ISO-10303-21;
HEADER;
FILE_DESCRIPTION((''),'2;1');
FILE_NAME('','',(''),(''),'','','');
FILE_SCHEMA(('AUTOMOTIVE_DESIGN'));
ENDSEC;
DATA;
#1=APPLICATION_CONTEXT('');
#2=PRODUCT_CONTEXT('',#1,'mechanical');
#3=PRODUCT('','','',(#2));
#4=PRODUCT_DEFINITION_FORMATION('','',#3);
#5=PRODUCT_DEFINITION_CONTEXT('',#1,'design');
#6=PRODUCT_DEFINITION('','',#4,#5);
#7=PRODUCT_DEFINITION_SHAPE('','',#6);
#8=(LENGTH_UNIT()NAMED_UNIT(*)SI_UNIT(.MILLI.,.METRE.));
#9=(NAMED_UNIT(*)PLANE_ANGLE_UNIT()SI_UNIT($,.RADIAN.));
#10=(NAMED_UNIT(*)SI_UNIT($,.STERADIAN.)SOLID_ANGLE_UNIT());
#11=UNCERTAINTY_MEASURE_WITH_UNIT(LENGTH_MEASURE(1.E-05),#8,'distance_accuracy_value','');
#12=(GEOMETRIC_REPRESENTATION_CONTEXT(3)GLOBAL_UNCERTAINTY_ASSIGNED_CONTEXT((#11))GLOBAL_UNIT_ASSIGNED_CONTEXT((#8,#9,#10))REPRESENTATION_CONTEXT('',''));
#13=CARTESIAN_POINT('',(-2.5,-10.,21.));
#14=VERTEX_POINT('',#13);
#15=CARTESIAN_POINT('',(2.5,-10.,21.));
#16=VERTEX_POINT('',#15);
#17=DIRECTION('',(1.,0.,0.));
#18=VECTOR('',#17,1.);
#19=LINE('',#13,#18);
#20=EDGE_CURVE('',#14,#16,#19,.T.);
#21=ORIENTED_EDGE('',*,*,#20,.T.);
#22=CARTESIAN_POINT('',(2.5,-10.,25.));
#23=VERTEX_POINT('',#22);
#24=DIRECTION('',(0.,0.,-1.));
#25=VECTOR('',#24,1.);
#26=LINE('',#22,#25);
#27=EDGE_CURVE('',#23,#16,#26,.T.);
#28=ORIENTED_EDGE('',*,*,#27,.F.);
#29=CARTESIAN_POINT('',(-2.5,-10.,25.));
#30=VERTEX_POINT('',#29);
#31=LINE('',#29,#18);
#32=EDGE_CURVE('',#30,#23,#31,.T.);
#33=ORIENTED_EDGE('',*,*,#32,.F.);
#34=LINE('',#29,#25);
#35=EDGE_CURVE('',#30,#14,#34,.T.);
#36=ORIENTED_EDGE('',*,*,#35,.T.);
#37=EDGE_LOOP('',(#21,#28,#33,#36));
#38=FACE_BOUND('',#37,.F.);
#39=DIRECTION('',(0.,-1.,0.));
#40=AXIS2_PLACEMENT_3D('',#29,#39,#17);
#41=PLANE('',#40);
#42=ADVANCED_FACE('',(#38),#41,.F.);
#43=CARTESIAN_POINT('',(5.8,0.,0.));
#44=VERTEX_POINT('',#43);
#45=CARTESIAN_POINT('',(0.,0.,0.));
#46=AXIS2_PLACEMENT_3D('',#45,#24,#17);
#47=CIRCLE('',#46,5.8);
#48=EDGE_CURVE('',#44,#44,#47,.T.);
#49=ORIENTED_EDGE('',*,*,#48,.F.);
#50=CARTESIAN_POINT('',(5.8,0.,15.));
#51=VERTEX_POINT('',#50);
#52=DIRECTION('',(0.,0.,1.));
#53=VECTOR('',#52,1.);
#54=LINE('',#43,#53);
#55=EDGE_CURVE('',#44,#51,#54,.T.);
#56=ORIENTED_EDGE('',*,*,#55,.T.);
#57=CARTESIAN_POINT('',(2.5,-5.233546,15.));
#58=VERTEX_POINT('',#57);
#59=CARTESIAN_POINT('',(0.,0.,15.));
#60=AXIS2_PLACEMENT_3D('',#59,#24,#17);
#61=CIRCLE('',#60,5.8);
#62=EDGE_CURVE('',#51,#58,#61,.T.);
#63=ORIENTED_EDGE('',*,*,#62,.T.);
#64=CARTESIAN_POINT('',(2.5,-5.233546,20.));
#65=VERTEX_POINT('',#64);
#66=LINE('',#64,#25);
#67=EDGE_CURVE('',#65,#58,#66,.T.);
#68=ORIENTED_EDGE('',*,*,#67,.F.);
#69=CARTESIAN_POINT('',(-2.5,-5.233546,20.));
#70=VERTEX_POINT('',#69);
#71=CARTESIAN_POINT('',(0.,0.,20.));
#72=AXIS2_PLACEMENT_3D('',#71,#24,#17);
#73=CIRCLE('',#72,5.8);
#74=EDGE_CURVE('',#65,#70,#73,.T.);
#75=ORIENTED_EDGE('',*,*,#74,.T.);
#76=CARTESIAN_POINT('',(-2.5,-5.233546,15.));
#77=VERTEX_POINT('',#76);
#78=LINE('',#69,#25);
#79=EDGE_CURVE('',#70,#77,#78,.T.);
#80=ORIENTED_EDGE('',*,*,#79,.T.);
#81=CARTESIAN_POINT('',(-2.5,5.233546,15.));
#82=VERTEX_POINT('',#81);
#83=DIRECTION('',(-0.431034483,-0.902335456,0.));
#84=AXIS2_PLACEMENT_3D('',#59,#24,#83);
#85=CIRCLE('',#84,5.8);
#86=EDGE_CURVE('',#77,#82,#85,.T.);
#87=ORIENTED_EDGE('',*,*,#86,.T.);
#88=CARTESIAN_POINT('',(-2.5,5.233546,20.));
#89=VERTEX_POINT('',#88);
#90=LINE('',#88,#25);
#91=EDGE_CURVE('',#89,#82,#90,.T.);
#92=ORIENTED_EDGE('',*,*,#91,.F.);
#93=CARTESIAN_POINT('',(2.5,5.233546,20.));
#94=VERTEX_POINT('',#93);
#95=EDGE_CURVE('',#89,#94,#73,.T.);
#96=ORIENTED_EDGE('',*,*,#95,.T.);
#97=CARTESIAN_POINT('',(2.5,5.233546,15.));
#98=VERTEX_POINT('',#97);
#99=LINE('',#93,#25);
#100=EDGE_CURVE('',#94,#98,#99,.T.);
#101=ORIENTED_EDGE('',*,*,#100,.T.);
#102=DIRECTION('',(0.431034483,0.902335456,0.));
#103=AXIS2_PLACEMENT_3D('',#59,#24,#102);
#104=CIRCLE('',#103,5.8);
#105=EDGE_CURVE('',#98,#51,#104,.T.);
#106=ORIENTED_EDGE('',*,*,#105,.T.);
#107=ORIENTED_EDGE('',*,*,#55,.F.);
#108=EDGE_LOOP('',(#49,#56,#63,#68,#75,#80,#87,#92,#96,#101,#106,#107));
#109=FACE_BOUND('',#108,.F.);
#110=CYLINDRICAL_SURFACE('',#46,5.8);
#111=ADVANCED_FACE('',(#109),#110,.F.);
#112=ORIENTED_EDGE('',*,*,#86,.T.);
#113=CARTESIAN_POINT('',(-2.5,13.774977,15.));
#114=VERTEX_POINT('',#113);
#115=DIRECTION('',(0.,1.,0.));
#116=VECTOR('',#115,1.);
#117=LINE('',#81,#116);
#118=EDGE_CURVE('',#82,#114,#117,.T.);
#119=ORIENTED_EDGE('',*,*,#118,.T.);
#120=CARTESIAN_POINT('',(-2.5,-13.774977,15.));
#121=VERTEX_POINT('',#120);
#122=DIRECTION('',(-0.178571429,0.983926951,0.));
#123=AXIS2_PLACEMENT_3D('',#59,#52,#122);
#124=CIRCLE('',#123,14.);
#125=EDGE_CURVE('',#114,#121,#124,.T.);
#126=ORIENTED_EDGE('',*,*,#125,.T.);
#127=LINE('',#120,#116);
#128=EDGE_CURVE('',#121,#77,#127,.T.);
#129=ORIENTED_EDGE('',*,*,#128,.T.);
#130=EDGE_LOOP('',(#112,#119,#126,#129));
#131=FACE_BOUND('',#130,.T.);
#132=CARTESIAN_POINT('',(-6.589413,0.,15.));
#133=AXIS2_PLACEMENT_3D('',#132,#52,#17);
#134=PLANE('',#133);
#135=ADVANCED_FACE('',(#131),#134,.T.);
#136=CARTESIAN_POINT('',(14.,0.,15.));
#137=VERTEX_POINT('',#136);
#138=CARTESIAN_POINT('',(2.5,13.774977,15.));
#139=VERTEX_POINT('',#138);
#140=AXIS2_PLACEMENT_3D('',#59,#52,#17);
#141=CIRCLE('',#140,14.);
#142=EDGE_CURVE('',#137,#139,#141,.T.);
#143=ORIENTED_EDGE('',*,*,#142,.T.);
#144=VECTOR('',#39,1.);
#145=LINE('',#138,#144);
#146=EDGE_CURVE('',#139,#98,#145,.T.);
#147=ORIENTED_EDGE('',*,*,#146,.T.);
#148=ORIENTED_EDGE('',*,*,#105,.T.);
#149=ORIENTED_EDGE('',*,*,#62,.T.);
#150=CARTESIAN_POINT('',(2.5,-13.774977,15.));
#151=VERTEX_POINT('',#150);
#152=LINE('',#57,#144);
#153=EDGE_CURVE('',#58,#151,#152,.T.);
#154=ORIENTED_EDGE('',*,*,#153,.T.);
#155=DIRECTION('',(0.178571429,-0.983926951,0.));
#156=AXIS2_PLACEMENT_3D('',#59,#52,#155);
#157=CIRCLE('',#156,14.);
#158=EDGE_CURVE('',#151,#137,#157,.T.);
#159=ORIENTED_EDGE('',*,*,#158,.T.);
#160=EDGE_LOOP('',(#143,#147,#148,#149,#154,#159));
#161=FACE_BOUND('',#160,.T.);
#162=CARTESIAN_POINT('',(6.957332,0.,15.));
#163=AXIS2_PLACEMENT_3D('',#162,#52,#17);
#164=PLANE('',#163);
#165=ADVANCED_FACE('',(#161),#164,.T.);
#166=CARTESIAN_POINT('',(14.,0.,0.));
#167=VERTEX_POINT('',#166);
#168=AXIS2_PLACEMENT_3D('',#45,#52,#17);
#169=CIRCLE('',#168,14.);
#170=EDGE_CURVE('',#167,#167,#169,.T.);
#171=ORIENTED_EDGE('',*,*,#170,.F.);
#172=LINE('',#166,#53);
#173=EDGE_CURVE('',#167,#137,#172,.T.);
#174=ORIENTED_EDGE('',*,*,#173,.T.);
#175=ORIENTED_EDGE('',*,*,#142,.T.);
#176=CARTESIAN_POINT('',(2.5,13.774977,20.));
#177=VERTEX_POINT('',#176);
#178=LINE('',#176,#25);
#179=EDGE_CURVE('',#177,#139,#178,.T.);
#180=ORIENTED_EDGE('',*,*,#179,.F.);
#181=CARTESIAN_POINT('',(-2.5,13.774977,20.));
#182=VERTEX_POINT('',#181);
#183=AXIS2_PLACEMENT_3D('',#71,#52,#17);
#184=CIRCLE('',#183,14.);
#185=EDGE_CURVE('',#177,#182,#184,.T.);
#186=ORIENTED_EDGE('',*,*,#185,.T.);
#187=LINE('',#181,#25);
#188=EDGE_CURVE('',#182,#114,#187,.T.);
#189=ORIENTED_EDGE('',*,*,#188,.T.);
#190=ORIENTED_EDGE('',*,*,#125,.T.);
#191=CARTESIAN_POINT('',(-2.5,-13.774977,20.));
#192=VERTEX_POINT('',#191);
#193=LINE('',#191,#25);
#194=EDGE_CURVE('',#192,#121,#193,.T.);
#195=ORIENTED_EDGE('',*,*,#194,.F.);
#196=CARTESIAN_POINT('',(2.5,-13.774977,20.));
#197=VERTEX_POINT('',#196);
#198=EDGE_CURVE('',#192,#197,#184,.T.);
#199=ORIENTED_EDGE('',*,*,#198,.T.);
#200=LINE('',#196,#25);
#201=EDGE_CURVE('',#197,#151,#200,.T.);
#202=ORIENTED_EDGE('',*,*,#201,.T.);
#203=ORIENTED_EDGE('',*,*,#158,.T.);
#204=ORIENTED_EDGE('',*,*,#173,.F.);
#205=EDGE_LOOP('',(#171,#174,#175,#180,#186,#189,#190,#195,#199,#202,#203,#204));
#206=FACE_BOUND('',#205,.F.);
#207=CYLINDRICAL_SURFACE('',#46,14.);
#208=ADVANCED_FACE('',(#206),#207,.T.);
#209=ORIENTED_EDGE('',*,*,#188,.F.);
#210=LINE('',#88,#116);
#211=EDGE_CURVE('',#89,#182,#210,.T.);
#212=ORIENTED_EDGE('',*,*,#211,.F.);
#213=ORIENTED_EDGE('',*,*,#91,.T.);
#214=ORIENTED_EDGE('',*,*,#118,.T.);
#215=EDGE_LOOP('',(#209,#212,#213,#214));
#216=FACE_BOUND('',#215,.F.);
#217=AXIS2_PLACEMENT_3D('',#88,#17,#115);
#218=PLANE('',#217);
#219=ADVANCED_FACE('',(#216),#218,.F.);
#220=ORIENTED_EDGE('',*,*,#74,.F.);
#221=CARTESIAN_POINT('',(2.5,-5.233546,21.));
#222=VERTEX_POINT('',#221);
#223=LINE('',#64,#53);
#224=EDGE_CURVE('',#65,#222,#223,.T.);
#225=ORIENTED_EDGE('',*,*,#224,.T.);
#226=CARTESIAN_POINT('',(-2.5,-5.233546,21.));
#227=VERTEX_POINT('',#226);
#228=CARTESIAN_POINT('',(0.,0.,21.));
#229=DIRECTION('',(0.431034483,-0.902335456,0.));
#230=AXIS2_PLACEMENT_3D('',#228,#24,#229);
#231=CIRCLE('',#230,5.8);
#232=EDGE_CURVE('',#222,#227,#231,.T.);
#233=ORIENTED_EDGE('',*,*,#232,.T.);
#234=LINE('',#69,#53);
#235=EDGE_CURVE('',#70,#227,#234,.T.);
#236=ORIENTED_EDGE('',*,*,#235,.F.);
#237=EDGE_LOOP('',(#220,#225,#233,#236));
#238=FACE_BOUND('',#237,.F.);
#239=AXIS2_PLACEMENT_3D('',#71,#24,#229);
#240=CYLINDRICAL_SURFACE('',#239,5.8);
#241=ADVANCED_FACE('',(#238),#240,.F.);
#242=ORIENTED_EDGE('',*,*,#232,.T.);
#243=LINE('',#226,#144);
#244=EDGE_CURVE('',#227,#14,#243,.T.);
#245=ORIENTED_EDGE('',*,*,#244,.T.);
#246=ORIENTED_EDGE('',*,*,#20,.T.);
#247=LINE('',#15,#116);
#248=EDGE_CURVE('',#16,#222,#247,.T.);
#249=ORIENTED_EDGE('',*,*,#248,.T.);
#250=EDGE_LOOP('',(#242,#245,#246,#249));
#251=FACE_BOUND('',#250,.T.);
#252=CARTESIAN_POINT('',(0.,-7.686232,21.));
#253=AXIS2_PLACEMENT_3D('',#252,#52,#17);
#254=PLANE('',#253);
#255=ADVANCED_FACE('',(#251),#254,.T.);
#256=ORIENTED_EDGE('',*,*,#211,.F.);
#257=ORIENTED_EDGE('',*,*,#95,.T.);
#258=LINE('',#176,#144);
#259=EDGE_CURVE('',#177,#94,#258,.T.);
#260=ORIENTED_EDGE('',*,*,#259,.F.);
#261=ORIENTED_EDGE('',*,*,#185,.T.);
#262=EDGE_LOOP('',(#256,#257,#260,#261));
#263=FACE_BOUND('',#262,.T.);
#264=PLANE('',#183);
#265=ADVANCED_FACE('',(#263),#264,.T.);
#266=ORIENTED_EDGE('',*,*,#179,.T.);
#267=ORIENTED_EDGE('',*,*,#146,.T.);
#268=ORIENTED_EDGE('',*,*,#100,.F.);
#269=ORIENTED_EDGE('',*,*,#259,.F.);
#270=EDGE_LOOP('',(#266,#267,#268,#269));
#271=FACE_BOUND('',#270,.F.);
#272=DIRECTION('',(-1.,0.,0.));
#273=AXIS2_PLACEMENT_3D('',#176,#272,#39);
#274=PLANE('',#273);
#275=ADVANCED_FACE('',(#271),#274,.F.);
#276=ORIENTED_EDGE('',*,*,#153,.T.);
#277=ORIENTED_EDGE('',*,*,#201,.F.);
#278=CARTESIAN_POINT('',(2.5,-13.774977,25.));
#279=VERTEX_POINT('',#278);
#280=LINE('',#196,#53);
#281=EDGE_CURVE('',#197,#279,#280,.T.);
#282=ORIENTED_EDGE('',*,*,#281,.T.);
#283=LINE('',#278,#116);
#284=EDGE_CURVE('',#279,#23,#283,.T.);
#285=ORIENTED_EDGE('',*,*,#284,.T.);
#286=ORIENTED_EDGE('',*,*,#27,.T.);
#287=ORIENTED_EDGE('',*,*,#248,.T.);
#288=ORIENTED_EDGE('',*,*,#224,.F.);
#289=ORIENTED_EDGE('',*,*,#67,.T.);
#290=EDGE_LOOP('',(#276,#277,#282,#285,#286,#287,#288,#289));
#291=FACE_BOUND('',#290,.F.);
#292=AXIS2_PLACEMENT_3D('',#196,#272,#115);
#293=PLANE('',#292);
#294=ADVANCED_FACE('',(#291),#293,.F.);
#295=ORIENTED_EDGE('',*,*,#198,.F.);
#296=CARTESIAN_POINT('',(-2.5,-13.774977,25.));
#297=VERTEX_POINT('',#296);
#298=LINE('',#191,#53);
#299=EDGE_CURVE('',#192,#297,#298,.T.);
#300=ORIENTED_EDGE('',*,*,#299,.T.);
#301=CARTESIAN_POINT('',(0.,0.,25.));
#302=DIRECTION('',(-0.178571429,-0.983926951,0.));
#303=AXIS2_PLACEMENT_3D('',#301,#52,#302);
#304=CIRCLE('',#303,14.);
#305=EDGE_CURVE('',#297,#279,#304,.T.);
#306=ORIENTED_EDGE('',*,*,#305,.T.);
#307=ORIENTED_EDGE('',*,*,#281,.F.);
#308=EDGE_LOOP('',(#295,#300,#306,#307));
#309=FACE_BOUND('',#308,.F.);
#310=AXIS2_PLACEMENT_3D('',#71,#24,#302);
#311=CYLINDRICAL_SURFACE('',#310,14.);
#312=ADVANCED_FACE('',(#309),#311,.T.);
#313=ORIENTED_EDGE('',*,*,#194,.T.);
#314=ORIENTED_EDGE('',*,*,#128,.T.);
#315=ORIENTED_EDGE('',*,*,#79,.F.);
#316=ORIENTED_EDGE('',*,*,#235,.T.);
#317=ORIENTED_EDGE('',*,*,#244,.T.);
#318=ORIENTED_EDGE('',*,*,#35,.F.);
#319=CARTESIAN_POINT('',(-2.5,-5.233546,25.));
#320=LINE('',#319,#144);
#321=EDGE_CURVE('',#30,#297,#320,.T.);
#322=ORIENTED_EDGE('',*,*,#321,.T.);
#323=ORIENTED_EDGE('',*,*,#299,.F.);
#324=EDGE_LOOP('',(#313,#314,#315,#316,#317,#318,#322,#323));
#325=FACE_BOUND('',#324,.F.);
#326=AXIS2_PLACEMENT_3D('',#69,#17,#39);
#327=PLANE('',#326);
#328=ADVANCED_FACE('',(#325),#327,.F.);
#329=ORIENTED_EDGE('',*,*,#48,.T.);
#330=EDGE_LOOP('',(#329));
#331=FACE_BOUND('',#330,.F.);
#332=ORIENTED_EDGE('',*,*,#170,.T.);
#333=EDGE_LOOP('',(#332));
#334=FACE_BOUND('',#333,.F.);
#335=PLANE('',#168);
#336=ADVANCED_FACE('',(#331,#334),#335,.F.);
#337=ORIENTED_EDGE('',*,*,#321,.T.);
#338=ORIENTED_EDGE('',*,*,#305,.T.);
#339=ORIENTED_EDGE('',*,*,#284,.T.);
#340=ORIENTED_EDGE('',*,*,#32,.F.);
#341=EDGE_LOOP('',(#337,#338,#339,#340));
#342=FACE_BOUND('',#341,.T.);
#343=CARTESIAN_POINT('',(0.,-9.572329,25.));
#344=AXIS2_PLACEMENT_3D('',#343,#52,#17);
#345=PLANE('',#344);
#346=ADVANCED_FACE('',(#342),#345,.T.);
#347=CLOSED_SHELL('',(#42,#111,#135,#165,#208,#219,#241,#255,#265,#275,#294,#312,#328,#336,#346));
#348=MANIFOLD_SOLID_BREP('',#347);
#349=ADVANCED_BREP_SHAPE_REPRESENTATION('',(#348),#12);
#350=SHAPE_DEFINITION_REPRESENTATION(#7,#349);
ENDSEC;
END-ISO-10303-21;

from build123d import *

# Parameters (mm, degrees)
F0_R     = 14
F1_DEPTH = 20
F2_R     = 5.8
F3_DEPTH = 20.001
F5_DEPTH = 5
F6_DEPTH = 5
F7_DEPTH = 5
F9_DEPTH = 4


with BuildPart() as f1:
    # F0 (on Top) → F1 (new body)
    with BuildSketch(Plane.XY):
        Circle(F0_R)
    extrude(amount=F1_DEPTH)

    # F2 (on face) → F3 (cut, through all)
    with BuildSketch(Plane(origin=(0, 0, 0), x_dir=(1, 0, 0), z_dir=(0, 0, -1))):
        Circle(F2_R)
    extrude(amount=-F3_DEPTH, mode=Mode.SUBTRACT)

    # F4 (on face) → F5 (cut)
    with BuildSketch(Plane.XY.offset(20)):
        with BuildLine():
            Line((-2.5, 5.2335456433), (-2.5, 13.774977314))
            ThreePointArc((-2.5, 13.774977314), (-14, 0), (-2.5, -13.774977314))
            Line((-2.5, -13.774977314), (-2.5, -5.2335456433))
            ThreePointArc((-2.5, -5.2335456433), (-5.8, 0), (-2.5, 5.2335456433))
        make_face()
    extrude(amount=-F5_DEPTH, mode=Mode.SUBTRACT)

    # F4 (on face) → F6 (cut)
    with BuildSketch(Plane.XY.offset(20)):
        with BuildLine():
            ThreePointArc((14, 0), (10.7470926301, 8.9721792225), (2.5, 13.774977314))
            Line((2.5, 13.774977314), (2.5, 5.2335456433))
            ThreePointArc((2.5, 5.2335456433), (4.9061186288, 3.0935416597), (5.8, 0))
            ThreePointArc((5.8, 0), (4.9061186288, -3.0935416597), (2.5, -5.2335456433))
            Line((2.5, -5.2335456433), (2.5, -13.774977314))
            ThreePointArc((2.5, -13.774977314), (10.7470926301, -8.9721792225), (14, 0))
        make_face()
    extrude(amount=-F6_DEPTH, mode=Mode.SUBTRACT)

    # F4 (on face) → F7 (join)
    with BuildSketch(Plane.XY.offset(20)):
        with BuildLine():
            Line((2.5, -13.774977314), (2.5, -5.2335456433))
            ThreePointArc((2.5, -5.2335456433), (0, -5.8), (-2.5, -5.2335456433))
            Line((-2.5, -5.2335456433), (-2.5, -13.774977314))
            ThreePointArc((-2.5, -13.774977314), (0, -14), (2.5, -13.774977314))
        make_face()
    extrude(amount=F7_DEPTH)

    # F8 (on face) → F9 (cut)
    with BuildSketch(Plane.XY.offset(25)):
        with BuildLine():
            Line((-2.5, -5.2335456433), (-2.5, -10))
            Line((-2.5, -10), (2.5, -10))
            Line((2.5, -10), (2.5, -5.2335456433))
            ThreePointArc((2.5, -5.2335456433), (0, -5.8), (-2.5, -5.2335456433))
        make_face()
    extrude(amount=-F9_DEPTH, mode=Mode.SUBTRACT)


solid = f1.part
